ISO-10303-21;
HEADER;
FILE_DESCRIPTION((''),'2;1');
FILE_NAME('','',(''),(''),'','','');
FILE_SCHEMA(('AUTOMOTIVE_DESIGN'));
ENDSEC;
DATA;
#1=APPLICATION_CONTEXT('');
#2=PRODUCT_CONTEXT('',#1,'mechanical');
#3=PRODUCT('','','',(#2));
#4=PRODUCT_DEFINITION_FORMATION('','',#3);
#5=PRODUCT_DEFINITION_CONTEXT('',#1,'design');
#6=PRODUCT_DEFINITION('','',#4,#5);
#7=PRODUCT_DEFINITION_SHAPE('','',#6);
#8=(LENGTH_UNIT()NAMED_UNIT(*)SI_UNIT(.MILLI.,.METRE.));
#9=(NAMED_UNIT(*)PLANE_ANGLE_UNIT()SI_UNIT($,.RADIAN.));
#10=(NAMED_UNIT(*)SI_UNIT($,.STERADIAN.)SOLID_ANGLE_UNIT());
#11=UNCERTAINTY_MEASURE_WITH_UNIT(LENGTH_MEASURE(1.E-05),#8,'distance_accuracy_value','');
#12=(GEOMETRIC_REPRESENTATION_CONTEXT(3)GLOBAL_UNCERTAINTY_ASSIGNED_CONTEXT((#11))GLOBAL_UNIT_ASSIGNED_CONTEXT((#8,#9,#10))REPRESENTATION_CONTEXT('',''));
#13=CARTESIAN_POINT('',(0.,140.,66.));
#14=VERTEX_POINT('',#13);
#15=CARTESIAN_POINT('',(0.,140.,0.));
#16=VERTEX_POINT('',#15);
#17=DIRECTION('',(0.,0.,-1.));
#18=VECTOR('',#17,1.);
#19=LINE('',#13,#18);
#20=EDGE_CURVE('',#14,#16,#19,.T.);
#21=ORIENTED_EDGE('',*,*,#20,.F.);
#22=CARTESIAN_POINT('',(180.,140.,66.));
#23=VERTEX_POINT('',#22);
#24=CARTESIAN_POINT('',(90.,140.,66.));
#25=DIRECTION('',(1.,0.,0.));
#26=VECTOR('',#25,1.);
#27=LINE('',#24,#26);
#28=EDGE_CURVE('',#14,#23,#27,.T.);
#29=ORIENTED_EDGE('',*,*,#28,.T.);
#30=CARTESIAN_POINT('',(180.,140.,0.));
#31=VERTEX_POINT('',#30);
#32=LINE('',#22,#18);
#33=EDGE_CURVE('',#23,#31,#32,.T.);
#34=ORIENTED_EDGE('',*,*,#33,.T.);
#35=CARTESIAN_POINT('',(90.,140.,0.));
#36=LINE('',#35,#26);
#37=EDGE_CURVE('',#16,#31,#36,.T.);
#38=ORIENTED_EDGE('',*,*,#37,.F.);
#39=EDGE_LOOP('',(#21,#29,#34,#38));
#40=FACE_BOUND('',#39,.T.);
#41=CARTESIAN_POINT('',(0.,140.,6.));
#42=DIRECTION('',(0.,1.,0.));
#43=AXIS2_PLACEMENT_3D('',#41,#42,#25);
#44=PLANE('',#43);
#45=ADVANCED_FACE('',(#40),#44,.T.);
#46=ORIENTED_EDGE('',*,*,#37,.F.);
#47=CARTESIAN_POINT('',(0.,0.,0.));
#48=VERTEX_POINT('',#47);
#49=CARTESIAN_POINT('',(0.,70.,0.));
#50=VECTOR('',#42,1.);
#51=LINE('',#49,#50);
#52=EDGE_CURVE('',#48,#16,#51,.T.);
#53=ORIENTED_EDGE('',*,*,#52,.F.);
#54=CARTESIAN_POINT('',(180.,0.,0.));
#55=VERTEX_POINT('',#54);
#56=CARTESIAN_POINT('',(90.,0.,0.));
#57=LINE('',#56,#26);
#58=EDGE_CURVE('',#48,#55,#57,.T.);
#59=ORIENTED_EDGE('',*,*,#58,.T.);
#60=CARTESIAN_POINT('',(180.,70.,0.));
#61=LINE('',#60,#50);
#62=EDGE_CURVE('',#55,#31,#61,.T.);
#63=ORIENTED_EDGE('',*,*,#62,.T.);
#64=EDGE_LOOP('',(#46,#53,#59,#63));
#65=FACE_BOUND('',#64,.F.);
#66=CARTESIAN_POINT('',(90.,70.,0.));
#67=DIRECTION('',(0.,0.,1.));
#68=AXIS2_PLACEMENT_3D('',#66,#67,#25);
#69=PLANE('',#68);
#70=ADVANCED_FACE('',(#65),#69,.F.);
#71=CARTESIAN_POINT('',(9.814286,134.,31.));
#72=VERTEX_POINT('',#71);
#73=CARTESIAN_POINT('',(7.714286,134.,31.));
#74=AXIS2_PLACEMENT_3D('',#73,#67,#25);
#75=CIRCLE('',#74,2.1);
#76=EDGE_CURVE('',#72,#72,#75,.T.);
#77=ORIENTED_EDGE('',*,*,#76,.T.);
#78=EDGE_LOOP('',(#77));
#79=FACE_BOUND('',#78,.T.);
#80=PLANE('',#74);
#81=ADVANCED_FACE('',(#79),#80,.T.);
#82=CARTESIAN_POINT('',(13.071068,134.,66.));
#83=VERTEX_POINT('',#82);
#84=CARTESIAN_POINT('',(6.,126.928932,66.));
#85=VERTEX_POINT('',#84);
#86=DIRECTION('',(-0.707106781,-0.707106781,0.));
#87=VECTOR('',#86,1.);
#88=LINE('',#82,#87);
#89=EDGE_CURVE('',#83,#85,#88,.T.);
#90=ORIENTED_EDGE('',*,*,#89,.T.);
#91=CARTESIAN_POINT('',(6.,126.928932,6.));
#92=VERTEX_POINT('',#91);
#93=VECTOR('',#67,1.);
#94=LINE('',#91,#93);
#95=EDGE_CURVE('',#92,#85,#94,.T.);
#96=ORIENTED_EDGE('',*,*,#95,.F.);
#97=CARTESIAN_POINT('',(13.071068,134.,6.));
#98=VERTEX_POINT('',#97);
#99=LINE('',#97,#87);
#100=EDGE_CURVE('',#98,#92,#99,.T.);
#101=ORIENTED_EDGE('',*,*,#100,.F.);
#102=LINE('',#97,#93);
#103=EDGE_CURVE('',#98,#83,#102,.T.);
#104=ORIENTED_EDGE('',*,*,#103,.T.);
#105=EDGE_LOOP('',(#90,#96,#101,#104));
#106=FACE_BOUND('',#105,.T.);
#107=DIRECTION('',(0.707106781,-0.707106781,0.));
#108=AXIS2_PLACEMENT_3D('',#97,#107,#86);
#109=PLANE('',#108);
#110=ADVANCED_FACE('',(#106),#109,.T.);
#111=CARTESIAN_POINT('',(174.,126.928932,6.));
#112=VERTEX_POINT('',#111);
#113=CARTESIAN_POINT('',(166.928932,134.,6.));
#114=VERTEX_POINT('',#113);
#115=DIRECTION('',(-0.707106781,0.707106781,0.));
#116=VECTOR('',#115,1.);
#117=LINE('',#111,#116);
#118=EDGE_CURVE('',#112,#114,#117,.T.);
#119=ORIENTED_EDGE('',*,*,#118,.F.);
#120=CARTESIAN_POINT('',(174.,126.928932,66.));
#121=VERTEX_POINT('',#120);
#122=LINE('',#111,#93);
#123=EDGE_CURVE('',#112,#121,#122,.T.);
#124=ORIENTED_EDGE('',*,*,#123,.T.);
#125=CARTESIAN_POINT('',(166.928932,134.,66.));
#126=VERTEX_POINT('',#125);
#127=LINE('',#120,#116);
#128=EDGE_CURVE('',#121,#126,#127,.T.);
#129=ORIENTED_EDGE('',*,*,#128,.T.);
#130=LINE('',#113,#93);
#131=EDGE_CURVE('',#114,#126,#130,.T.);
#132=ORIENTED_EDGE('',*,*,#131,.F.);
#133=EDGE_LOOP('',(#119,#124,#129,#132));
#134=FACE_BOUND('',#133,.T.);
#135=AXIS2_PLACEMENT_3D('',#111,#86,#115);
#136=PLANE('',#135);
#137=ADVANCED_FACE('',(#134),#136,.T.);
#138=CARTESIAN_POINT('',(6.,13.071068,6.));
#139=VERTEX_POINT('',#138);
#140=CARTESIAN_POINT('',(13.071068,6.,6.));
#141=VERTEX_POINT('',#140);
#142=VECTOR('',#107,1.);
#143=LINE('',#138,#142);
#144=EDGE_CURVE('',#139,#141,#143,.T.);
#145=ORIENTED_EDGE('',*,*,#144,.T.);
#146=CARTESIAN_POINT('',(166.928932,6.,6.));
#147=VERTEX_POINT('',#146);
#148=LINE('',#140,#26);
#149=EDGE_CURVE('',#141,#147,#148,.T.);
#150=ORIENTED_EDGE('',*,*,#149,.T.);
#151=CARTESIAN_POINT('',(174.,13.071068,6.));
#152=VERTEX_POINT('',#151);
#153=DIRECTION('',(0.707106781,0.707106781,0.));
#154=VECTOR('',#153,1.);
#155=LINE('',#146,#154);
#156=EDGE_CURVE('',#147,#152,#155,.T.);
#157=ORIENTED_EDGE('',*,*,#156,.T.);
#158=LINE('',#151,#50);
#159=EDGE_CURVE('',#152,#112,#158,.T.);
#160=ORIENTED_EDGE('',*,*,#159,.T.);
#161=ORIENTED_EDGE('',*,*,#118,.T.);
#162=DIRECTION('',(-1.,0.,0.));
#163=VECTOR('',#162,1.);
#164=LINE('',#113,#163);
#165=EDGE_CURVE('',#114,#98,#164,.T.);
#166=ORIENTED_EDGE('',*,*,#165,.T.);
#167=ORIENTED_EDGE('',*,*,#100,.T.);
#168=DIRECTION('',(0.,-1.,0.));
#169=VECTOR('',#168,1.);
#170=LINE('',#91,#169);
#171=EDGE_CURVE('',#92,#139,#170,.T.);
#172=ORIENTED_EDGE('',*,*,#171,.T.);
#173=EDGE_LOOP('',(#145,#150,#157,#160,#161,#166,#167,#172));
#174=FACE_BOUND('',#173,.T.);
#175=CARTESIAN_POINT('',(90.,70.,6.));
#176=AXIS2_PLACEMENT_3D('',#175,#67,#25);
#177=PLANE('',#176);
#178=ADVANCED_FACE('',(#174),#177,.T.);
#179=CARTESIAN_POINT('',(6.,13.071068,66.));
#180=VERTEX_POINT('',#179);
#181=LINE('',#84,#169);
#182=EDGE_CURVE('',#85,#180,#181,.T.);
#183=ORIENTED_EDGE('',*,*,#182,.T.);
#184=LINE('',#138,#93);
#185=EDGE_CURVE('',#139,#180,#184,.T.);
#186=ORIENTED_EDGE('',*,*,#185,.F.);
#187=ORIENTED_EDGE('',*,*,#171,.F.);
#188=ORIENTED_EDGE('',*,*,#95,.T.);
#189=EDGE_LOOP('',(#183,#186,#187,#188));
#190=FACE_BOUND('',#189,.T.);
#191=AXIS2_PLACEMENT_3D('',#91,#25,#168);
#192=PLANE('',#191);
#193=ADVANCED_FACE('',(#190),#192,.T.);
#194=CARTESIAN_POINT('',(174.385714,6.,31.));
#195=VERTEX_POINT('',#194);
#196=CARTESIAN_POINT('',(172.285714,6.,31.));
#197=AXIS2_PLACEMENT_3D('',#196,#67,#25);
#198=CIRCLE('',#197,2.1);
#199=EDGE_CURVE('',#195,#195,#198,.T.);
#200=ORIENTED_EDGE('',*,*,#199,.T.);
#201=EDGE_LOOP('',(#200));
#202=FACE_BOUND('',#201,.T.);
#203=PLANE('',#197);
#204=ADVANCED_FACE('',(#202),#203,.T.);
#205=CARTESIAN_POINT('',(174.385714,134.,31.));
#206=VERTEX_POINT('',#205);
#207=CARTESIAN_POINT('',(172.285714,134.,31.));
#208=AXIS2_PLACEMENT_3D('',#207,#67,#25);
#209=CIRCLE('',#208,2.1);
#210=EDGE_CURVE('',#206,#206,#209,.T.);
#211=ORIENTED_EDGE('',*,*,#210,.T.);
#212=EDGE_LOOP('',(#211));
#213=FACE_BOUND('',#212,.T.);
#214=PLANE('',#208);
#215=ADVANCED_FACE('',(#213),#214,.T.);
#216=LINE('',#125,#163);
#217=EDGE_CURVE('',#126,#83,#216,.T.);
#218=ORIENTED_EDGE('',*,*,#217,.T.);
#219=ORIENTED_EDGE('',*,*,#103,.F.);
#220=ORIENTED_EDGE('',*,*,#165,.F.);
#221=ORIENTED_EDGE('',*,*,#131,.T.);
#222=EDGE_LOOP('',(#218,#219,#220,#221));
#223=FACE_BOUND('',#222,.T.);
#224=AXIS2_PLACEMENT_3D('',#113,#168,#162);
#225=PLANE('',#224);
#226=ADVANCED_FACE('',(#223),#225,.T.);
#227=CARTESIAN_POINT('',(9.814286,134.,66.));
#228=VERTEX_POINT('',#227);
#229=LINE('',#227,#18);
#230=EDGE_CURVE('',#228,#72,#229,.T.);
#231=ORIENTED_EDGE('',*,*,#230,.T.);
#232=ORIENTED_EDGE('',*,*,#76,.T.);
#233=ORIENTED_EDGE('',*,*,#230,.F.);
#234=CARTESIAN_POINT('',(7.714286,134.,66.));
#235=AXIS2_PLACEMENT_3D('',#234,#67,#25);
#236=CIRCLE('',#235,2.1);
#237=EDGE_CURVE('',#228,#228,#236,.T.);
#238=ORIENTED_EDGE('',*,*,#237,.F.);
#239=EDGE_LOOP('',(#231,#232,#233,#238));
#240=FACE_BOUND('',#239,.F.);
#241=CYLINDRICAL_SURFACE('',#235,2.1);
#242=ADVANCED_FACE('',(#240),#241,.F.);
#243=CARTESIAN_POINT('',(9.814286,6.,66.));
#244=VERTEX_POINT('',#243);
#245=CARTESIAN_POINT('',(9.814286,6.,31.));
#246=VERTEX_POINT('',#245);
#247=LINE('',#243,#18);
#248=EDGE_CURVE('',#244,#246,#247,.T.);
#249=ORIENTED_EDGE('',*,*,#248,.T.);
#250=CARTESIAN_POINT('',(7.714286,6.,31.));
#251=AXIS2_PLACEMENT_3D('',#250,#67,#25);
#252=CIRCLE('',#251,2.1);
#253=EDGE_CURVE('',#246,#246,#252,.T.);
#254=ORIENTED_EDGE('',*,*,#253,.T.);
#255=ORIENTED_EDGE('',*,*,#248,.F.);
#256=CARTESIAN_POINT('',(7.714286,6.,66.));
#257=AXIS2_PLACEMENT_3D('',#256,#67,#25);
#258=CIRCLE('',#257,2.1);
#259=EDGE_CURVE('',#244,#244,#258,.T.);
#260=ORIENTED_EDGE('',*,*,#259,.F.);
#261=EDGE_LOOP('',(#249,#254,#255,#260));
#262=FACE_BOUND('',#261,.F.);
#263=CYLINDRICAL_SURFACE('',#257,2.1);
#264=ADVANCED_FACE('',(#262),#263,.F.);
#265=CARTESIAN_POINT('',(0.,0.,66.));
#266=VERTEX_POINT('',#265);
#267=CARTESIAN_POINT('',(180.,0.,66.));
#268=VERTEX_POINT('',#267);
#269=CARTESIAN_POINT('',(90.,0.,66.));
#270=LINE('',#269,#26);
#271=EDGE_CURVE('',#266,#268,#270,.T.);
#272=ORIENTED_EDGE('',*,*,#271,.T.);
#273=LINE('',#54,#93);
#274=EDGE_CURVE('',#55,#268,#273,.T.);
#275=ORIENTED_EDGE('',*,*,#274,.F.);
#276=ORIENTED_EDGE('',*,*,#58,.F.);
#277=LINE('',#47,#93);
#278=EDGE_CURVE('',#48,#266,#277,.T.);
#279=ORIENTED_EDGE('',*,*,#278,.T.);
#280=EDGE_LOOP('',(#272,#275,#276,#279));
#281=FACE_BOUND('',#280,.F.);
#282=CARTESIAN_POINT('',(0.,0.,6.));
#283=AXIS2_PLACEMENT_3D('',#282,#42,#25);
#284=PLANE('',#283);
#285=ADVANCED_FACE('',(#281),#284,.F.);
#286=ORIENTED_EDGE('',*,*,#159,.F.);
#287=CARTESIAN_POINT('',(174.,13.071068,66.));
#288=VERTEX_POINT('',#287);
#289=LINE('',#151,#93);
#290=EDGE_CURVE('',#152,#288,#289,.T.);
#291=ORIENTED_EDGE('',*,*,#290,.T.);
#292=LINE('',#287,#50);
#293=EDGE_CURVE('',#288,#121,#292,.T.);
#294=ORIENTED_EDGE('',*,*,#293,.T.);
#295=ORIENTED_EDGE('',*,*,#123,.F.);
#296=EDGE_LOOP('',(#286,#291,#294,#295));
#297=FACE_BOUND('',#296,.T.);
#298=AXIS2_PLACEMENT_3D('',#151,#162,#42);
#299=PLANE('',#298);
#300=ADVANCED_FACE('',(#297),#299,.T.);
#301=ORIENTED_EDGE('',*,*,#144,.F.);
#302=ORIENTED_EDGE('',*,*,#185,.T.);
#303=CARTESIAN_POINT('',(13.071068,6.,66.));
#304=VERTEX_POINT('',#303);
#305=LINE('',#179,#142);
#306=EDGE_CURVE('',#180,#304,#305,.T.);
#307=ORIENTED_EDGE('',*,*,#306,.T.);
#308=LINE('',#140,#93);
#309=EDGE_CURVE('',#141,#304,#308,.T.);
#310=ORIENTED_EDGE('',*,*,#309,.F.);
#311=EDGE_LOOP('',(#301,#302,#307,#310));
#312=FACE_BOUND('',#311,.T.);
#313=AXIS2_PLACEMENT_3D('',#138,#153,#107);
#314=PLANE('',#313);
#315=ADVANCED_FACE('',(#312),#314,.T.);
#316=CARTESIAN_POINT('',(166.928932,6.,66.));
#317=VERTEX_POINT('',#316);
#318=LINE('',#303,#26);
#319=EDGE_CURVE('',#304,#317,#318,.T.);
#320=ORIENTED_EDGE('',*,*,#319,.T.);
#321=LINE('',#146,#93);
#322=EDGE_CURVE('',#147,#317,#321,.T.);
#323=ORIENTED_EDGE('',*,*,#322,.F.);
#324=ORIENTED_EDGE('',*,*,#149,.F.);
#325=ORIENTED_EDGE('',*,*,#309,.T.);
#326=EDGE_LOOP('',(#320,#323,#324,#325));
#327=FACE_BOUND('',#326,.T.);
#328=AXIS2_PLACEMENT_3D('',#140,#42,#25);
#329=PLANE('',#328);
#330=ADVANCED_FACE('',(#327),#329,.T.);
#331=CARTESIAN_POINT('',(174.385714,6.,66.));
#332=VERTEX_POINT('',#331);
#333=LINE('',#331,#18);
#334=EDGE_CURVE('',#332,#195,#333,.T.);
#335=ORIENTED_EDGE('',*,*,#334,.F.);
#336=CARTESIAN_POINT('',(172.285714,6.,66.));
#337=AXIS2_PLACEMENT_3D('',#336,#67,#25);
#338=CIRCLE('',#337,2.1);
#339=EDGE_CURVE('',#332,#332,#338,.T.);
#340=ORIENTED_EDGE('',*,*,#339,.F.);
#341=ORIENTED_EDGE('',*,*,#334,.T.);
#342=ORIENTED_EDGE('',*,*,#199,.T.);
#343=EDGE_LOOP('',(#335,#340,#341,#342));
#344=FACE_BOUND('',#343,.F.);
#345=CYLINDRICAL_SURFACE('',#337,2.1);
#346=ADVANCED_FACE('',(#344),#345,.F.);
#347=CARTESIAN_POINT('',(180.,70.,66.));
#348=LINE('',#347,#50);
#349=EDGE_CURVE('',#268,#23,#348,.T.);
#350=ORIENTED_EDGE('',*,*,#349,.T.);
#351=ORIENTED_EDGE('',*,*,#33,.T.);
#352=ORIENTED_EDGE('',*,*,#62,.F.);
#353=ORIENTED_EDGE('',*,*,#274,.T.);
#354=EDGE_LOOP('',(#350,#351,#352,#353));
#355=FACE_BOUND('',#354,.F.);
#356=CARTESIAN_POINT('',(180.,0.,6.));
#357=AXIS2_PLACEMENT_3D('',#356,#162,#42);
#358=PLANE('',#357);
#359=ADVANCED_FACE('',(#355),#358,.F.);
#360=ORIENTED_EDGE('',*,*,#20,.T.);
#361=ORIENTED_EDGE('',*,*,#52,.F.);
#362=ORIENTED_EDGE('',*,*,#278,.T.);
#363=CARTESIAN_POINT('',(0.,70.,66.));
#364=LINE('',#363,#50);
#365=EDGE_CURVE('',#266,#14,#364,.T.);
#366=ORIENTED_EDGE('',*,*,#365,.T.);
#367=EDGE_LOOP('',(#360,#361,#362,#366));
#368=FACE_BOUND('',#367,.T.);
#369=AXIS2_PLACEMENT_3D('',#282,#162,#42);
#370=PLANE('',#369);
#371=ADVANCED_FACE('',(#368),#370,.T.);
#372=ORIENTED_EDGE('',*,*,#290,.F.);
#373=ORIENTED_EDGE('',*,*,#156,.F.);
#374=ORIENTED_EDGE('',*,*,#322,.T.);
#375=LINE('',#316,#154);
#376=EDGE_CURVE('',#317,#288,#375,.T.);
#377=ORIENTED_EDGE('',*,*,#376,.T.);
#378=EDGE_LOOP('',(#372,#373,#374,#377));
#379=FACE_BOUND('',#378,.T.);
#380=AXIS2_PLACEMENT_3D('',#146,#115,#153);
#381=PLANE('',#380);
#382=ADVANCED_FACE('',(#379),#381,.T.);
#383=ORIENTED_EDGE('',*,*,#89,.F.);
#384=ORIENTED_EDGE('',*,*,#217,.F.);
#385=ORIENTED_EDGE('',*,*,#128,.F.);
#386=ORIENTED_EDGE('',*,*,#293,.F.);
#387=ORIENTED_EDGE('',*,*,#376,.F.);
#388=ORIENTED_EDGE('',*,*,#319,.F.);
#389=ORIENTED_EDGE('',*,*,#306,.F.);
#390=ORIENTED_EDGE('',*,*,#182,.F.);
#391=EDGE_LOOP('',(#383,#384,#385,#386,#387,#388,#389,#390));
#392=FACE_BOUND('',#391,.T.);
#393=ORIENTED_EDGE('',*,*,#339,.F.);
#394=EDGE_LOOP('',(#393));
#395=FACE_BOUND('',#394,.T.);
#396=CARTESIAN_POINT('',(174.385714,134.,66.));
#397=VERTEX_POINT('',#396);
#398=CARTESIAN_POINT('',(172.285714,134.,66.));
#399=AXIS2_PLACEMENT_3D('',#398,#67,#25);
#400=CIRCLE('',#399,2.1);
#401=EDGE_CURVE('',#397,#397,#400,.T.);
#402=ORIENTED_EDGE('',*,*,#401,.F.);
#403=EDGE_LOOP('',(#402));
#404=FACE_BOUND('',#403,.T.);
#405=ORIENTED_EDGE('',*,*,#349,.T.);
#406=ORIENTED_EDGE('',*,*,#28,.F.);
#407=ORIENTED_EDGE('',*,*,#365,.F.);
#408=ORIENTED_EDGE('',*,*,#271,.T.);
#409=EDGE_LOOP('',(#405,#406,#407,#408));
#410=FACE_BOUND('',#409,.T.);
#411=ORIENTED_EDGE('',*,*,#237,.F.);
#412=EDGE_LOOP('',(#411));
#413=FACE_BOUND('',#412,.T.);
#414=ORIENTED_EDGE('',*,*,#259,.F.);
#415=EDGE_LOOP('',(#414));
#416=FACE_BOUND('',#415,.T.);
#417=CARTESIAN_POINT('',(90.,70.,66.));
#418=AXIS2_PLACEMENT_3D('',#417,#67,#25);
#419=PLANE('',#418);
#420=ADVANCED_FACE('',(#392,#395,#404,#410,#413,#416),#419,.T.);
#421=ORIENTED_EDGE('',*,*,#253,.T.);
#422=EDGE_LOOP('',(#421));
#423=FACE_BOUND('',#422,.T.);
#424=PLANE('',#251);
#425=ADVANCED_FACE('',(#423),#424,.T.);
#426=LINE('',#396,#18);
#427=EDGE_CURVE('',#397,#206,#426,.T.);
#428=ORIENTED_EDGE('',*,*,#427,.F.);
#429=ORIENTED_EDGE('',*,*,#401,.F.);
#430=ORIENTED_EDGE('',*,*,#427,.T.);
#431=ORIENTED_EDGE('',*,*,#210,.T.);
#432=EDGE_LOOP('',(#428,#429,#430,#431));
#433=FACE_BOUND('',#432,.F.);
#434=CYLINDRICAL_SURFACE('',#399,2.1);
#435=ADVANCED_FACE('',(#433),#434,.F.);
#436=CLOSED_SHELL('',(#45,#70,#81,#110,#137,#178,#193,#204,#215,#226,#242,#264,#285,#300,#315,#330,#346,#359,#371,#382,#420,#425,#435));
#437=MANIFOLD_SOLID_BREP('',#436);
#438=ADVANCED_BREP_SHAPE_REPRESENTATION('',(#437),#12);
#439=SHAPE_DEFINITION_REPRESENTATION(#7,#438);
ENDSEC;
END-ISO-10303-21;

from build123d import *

# Parameters (mm, degrees)
BOX_W           = 180
BOX_H           = 140
BOX_DEPTH       = 6
SKETCH_W        = 180
SKETCH_H        = 140
PAD_DEPTH       = 60
SKETCH007_R     = 2.1
POCKET001_DEPTH = 35


with BuildPart() as part:
    # Box → Box (new body)
    with BuildSketch(Plane.XY):
        with Locations((90, 70)):
            Rectangle(BOX_W, BOX_H)
    extrude(amount=BOX_DEPTH)

    # Sketch → Pad (new body)
    with BuildSketch(Plane.XY.offset(6)):
        with Locations((90, 70)):
            Rectangle(SKETCH_W, SKETCH_H)
        Polygon((166.928932, 134), (13.071068, 134), (6, 126.928932), (6, 13.071068), (13.071068, 6), (166.928932, 6), (174, 13.071068), (174, 126.928932), align=None, mode=Mode.SUBTRACT)
    extrude(amount=PAD_DEPTH)

    # Sketch007 → Pocket001 (cut)
    with BuildSketch(Plane.XY.offset(66)):
        with Locations((172.285714, 6)):
            Circle(SKETCH007_R)
        with Locations((172.285714, 134)):
            Circle(SKETCH007_R)
        with Locations((7.714286, 134)):
            Circle(SKETCH007_R)
        with Locations((7.714286, 6)):
            Circle(SKETCH007_R)
    extrude(amount=-POCKET001_DEPTH, mode=Mode.SUBTRACT)


solid = part.part
